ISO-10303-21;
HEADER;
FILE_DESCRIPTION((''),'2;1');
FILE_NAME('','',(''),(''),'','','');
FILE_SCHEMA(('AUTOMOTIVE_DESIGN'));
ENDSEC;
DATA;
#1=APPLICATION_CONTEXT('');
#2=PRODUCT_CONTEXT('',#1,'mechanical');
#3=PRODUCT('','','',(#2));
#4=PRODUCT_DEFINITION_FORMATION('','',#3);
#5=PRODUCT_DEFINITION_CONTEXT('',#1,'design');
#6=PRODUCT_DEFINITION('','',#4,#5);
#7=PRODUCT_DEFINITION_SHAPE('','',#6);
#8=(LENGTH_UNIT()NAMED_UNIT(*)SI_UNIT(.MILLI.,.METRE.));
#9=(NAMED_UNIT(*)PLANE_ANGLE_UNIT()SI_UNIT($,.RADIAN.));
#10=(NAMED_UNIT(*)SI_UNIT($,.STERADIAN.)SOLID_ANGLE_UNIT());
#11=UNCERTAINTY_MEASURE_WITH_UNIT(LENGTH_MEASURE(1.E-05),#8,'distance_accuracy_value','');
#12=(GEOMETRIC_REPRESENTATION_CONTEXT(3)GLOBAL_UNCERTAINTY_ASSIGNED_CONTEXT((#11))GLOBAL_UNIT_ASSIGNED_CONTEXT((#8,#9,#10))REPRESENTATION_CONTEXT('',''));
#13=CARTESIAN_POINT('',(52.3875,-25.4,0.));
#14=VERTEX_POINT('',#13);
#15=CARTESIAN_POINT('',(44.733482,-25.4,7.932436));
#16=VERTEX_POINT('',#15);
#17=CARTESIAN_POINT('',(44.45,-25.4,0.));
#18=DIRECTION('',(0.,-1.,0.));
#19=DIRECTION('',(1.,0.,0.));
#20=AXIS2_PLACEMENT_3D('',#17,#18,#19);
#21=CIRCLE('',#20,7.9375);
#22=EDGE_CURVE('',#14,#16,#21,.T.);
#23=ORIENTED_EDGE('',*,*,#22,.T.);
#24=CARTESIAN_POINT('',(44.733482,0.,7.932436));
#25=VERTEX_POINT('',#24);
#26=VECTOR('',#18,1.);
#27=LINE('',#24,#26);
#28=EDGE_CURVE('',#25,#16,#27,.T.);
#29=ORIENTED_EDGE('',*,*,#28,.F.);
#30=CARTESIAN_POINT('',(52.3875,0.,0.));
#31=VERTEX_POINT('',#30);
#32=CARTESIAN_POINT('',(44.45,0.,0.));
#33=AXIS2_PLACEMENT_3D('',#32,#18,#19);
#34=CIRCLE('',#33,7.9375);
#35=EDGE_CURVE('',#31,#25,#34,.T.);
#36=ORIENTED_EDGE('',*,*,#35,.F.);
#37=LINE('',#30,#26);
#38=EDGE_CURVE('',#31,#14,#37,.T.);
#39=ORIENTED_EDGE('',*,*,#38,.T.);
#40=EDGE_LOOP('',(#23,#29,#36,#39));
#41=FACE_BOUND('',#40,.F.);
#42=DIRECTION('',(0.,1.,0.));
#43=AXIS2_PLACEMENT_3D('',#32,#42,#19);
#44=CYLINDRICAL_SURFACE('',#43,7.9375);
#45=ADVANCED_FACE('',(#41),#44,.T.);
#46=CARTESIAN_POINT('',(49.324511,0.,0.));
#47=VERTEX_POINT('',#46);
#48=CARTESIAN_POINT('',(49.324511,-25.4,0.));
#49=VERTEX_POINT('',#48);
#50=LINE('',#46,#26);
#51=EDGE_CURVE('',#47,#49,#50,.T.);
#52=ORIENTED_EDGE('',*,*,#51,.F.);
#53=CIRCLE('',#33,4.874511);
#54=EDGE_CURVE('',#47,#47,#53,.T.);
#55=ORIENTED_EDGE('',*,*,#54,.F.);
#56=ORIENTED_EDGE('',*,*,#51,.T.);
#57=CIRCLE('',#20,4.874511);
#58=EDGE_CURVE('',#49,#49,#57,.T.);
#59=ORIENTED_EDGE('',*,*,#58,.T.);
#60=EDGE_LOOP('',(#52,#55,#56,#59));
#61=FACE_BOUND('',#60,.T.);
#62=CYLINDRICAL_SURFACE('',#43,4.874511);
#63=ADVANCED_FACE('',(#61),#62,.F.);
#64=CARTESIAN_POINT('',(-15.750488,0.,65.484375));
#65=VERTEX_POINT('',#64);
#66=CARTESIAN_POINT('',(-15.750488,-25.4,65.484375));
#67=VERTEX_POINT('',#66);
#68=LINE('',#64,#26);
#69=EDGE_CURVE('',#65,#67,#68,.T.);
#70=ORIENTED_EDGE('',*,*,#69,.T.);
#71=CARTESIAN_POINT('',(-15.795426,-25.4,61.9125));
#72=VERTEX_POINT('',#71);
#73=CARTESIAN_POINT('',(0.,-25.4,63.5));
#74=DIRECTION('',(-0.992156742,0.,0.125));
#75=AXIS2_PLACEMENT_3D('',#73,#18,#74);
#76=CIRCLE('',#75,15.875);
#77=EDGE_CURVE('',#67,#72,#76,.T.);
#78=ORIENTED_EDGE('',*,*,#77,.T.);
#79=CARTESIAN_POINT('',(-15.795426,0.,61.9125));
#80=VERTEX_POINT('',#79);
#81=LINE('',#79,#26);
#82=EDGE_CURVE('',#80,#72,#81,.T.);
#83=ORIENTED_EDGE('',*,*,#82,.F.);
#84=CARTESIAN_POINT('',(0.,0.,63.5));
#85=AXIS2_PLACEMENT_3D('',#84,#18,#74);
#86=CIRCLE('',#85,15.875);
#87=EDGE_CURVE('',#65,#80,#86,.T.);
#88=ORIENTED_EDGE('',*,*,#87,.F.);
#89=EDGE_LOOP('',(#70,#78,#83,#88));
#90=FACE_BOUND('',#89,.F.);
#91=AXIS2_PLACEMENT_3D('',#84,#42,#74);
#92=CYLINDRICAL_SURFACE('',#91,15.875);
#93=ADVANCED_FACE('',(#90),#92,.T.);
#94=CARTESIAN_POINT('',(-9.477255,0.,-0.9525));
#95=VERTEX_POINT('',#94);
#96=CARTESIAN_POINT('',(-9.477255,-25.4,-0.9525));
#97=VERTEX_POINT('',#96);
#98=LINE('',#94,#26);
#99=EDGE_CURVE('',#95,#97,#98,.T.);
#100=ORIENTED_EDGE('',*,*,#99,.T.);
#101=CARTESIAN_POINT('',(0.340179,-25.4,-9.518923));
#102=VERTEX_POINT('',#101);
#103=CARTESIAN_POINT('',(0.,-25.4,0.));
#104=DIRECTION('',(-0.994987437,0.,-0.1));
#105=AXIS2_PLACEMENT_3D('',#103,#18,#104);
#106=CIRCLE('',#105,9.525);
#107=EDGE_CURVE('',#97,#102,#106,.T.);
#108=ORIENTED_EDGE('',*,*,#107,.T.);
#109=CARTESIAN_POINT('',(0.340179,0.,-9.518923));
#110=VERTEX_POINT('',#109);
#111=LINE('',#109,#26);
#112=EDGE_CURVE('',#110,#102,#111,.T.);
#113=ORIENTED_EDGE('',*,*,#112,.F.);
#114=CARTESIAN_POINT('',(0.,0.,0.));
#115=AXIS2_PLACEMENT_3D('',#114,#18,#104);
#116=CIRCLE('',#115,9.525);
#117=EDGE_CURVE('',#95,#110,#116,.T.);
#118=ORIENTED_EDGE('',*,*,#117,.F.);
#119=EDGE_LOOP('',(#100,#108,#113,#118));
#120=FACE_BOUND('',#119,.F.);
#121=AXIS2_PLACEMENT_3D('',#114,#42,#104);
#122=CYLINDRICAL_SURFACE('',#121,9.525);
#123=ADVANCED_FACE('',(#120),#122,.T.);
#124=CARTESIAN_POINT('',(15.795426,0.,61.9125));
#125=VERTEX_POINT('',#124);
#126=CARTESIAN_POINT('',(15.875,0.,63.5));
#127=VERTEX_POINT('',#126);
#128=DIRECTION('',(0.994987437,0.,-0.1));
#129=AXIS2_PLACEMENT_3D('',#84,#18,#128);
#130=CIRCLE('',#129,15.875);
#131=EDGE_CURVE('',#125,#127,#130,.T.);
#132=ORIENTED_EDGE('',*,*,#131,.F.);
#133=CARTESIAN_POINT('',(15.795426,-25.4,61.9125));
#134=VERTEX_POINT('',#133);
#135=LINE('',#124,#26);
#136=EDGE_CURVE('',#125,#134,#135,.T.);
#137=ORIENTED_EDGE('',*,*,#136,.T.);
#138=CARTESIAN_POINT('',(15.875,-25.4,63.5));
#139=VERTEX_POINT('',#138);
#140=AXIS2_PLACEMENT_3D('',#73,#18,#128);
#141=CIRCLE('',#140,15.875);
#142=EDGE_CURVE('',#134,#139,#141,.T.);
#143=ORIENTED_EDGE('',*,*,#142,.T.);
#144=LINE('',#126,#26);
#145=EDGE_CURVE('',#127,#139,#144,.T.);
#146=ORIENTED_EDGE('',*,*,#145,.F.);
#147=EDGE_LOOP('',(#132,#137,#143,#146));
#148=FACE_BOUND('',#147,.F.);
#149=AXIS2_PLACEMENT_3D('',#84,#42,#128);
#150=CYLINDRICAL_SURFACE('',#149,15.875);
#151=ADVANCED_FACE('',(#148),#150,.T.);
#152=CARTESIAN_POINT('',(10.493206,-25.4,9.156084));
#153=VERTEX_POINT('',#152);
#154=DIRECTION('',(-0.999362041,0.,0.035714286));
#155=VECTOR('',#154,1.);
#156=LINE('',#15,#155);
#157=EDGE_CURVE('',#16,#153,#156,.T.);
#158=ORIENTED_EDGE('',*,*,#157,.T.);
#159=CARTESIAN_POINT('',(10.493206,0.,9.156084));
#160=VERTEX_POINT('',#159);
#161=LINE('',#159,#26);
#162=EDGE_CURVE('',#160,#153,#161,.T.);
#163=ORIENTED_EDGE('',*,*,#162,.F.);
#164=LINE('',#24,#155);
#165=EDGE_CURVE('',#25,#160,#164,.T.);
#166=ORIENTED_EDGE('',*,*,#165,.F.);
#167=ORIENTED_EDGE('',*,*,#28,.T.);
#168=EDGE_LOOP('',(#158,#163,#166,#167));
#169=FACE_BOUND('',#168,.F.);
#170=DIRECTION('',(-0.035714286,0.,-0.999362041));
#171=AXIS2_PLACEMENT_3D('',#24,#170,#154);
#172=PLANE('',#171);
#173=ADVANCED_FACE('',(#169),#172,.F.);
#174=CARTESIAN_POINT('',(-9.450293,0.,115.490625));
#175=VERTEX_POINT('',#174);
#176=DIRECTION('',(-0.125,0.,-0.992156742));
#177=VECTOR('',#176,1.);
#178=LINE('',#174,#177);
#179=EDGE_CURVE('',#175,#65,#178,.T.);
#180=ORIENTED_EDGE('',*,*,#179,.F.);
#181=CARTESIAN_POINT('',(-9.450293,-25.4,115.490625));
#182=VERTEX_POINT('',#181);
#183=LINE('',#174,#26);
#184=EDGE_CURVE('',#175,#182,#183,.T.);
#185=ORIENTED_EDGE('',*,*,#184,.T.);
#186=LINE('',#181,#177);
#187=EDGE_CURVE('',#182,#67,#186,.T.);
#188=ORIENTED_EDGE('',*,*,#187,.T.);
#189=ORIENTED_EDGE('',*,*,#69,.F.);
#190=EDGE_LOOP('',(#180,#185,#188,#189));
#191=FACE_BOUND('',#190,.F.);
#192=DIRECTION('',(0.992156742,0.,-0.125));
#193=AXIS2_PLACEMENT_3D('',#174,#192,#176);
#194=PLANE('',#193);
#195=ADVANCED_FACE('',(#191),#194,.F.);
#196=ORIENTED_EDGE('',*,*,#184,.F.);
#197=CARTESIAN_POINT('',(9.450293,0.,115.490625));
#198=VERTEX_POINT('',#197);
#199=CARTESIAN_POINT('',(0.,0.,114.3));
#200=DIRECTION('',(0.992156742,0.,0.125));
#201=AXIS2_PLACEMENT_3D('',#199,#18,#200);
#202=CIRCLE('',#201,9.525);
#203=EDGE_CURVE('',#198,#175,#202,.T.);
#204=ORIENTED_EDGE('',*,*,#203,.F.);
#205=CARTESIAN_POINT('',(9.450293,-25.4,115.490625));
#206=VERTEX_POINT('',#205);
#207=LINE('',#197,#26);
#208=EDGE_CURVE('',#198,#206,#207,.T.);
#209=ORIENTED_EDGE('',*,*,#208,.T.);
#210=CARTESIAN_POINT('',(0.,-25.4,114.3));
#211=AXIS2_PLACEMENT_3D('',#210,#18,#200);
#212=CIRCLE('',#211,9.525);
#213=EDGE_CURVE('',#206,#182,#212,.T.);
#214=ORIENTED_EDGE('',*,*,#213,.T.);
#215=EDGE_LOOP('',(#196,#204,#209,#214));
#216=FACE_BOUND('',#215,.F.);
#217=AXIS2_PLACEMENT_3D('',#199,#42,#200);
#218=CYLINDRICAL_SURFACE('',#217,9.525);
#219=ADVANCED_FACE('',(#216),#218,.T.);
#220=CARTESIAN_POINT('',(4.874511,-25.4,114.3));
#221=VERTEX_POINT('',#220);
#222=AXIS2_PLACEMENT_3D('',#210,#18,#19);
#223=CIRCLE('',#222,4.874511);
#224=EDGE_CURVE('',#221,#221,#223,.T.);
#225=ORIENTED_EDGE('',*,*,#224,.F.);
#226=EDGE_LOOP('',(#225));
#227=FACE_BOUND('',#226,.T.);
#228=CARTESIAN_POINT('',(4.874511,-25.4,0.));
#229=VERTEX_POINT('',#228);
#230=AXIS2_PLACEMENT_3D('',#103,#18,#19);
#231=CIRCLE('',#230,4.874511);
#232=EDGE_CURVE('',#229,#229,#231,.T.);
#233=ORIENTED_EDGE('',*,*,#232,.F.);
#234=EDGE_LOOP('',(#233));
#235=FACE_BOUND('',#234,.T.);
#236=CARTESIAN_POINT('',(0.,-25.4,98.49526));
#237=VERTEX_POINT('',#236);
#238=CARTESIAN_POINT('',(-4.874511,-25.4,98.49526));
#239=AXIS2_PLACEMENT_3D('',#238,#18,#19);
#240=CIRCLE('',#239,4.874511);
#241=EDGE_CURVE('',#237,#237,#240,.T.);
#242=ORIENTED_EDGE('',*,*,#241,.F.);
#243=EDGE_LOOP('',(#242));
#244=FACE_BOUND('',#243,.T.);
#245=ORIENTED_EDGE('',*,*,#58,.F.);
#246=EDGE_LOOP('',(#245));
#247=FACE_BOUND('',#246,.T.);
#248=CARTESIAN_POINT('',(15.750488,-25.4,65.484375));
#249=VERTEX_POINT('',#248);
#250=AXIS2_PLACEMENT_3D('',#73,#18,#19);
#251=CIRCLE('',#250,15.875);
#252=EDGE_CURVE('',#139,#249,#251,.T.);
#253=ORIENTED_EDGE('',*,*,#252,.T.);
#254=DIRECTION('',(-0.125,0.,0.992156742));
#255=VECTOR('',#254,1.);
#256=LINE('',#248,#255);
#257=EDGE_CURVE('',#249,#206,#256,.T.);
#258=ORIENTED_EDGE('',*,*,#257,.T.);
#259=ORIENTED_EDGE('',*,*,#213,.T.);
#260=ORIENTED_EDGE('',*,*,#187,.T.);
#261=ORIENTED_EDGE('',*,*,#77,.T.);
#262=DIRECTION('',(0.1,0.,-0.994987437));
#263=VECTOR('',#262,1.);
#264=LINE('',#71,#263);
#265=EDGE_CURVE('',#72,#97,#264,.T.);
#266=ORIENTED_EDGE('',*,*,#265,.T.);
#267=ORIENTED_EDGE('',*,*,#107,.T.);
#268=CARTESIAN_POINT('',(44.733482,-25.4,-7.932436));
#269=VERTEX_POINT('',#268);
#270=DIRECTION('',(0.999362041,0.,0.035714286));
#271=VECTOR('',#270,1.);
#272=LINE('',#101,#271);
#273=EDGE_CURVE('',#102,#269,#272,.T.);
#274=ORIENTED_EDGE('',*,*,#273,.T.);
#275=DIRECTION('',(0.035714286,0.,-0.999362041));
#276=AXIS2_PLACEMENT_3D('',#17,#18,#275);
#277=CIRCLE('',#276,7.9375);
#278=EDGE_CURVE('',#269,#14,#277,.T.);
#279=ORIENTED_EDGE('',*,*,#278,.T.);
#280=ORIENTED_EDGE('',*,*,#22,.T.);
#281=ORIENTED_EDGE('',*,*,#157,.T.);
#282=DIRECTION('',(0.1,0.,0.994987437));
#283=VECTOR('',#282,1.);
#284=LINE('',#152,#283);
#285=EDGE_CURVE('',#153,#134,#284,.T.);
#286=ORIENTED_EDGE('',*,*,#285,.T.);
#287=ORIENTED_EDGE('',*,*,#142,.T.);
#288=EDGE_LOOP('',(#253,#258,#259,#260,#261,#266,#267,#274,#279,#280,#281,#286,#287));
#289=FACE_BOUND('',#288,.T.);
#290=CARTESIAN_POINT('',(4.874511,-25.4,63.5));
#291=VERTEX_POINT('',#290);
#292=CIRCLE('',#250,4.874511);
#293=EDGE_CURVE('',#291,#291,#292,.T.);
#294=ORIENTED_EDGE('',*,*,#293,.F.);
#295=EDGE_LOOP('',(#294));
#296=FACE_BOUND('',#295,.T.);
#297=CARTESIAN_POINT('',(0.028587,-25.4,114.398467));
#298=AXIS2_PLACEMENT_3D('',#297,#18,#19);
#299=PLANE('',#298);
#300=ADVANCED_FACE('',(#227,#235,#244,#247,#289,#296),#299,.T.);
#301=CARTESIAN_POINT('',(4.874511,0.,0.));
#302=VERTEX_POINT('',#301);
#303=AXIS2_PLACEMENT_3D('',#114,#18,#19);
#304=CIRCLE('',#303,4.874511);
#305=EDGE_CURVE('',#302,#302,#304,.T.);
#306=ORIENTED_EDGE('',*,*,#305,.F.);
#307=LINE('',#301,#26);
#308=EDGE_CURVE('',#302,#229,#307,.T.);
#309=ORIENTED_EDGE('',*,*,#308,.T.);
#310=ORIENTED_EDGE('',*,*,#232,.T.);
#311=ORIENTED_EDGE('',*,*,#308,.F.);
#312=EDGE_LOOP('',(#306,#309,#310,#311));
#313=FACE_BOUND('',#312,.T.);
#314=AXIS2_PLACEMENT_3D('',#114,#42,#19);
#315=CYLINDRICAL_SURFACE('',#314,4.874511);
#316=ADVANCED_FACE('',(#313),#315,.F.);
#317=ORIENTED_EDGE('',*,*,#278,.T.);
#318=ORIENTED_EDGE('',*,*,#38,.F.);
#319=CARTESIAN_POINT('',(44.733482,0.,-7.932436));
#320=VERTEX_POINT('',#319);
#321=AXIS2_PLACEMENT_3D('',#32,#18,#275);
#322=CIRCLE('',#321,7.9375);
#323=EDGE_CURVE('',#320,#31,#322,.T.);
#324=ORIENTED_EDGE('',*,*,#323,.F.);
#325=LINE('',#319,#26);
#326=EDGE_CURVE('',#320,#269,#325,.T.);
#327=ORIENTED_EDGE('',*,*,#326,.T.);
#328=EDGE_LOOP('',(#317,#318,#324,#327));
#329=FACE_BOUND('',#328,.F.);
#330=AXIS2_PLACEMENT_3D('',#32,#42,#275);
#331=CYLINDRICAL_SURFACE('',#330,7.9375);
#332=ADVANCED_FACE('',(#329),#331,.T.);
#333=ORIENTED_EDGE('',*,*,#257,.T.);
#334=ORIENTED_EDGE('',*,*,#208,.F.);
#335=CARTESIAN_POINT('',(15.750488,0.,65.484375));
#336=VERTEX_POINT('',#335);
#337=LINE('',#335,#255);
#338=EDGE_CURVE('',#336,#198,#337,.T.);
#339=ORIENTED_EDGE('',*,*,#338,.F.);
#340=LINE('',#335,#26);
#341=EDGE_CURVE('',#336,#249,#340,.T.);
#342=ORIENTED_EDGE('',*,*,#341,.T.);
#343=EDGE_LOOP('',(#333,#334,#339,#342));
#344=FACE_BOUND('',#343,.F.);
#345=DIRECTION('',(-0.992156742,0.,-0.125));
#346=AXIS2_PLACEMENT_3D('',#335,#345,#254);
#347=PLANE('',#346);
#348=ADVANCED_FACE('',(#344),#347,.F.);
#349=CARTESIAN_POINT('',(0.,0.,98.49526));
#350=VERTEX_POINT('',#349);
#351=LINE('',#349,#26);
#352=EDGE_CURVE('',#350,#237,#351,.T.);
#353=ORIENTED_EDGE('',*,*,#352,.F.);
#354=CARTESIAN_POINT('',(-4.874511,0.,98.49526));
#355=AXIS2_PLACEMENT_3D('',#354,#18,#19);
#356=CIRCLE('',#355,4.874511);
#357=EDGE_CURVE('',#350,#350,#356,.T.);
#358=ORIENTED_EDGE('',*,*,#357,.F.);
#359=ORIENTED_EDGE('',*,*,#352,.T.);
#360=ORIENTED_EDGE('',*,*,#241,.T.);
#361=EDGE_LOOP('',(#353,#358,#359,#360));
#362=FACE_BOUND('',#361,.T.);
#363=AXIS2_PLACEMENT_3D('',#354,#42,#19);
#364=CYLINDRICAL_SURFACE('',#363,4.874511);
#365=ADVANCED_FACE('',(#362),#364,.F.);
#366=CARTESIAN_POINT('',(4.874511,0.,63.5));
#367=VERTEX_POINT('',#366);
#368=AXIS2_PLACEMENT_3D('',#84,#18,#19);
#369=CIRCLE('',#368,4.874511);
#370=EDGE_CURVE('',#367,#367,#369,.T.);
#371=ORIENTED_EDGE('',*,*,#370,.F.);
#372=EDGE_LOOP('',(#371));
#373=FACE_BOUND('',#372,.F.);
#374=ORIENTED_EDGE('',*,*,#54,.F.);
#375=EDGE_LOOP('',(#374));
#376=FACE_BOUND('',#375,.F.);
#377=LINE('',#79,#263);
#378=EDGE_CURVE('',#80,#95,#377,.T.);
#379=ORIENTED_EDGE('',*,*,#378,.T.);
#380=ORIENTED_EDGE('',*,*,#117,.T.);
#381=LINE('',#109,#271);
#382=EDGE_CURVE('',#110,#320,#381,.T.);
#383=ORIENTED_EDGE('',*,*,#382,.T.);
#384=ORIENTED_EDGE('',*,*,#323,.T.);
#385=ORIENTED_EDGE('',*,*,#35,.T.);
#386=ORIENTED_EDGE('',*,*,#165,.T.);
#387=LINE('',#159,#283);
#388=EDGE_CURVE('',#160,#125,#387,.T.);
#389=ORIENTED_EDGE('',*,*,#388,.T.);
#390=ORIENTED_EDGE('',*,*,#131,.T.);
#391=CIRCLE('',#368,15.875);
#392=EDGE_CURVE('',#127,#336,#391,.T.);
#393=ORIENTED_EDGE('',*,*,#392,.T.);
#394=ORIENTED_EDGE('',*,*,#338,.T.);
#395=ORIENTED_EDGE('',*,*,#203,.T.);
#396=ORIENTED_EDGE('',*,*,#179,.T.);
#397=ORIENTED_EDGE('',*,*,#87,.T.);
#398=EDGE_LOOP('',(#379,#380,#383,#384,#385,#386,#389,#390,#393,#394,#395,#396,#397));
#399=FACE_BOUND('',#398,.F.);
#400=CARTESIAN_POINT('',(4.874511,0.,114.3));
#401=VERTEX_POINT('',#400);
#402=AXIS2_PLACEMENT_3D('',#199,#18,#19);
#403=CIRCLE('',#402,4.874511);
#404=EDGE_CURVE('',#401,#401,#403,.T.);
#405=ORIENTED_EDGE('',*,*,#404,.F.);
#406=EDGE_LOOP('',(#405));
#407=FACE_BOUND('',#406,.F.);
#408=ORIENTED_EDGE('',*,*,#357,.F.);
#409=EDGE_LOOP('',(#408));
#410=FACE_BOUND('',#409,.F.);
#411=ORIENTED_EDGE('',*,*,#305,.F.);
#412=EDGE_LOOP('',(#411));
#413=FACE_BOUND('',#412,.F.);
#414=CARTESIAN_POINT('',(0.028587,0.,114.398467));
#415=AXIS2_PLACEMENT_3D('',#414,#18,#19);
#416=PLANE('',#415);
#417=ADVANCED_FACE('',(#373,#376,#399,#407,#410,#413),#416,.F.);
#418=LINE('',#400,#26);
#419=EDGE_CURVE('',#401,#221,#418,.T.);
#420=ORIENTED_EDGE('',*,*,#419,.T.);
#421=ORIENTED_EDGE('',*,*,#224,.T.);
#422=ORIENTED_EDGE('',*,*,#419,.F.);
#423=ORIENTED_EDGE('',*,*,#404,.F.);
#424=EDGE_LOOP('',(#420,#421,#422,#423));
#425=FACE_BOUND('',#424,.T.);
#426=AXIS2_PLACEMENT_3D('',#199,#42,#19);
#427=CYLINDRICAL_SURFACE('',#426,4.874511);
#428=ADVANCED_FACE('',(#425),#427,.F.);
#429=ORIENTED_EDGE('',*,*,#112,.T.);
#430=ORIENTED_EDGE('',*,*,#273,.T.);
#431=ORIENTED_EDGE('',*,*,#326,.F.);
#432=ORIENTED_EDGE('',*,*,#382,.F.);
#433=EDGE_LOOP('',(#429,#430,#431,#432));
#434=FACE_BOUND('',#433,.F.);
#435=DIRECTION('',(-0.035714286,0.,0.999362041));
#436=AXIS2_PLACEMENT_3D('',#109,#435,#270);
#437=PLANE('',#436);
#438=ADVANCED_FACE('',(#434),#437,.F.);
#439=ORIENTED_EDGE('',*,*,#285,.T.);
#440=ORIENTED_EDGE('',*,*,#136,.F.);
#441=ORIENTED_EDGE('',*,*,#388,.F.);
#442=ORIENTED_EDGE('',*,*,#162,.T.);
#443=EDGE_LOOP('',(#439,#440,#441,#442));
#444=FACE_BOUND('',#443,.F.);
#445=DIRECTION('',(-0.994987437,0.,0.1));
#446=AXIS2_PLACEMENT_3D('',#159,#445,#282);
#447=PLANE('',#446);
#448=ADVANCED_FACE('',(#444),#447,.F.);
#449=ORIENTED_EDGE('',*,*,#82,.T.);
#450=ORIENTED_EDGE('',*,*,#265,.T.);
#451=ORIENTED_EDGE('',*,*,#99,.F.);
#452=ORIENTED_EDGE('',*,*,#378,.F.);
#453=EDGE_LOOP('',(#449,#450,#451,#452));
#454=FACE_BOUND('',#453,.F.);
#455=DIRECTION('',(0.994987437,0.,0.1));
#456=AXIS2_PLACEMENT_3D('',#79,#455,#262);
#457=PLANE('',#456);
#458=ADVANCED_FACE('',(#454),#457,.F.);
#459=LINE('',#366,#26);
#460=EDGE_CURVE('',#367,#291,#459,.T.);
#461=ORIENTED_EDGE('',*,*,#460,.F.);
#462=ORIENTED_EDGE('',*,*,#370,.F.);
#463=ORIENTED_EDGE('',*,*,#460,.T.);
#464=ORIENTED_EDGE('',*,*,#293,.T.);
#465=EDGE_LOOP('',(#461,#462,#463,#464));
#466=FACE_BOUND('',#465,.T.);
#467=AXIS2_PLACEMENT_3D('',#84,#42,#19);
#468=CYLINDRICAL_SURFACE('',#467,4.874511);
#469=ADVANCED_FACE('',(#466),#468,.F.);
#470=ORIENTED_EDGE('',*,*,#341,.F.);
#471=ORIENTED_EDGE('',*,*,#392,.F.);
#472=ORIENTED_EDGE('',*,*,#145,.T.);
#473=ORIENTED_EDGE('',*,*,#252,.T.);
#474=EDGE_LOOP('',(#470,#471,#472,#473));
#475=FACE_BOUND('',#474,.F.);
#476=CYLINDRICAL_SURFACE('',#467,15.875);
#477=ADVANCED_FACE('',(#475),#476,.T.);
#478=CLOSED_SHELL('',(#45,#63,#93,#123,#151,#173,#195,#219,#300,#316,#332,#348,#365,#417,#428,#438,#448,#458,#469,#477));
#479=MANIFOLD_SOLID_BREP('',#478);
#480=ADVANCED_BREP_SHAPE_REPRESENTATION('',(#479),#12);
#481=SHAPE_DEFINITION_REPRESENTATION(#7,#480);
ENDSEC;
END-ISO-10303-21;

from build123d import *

# Parameters (mm, degrees)
F0_R     = 4.8745106906
F1_DEPTH = 25.4


with BuildPart() as f1:
    # F0 (on Front) → F1 (new body)
    with BuildSketch(Plane.XZ):
        with BuildLine():
            ThreePointArc((-9.4502929642, 115.490625), (-0.596483242, 104.7936951058), (9.525, 114.3))
            ThreePointArc((9.525, 114.3), (9.5063048942, 114.896483242), (9.4502929642, 115.490625))
            ThreePointArc((9.4502929642, 115.490625), (0, 123.825), (-9.4502929642, 115.490625))
        make_face()
        with Locations((0, 114.3)):
            Circle(F0_R, mode=Mode.SUBTRACT)
        with BuildLine():
            ThreePointArc((9.4502929642, 115.490625), (9.5063048942, 114.896483242), (9.525, 114.3))
            ThreePointArc((9.525, 114.3), (-0.596483242, 104.7936951058), (-9.4502929642, 115.490625))
            Line((-9.4502929642, 115.490625), (-15.7504882737, 65.484375))
            ThreePointArc((-15.7504882737, 65.484375), (0, 79.375), (15.7504882737, 65.484375))
            Line((15.7504882737, 65.484375), (9.4502929642, 115.490625))
        make_face()
        with Locations((-4.8745106906, 98.495259881)):
            Circle(F0_R, mode=Mode.SUBTRACT)
        with BuildLine():
            ThreePointArc((15.875, 63.5), (15.8438414904, 64.4941387366), (15.7504882737, 65.484375))
            ThreePointArc((15.7504882737, 65.484375), (0, 79.375), (-15.7504882737, 65.484375))
            ThreePointArc((-15.7504882737, 65.484375), (-15.8737438155, 63.6997054867), (-15.7954255641, 61.9125))
            ThreePointArc((-15.7954255641, 61.9125), (0, 47.625), (15.7954255641, 61.9125))
            ThreePointArc((15.7954255641, 61.9125), (15.8550939106, 62.7052534459), (15.875, 63.5))
        make_face()
        with Locations((0, 63.5)):
            Circle(F0_R, mode=Mode.SUBTRACT)
        with BuildLine():
            ThreePointArc((15.7954255641, 61.9125), (0, 47.625), (-15.7954255641, 61.9125))
            Line((-15.7954255641, 61.9125), (-9.4772553384, -0.9525))
            ThreePointArc((-9.4772553384, -0.9525), (-6.948684782, 6.5147068085), (0.3401785714, 9.5189234444))
            Line((0.3401785714, 9.5189234444), (10.4932062399, 9.1560838367))
            Line((10.4932062399, 9.1560838367), (15.7954255641, 61.9125))
        make_face()
        with BuildLine():
            ThreePointArc((0.3401785714, 9.5189234444), (-6.948684782, 6.5147068085), (-9.4772553384, -0.9525))
            ThreePointArc((-9.4772553384, -0.9525), (-6.2623833816, -7.1769199091), (0.3401785714, -9.5189234444))
            ThreePointArc((0.3401785714, -9.5189234444), (6.5147068085, -6.948684782), (9.4772553384, -0.9525))
            ThreePointArc((9.4772553384, -0.9525), (9.5130563464, -0.4768479324), (9.525, 0))
            ThreePointArc((9.525, 0), (6.8544082857, 6.6138273378), (0.3401785714, 9.5189234444))
        make_face()
        Circle(F0_R, mode=Mode.SUBTRACT)
        with BuildLine():
            Line((44.7334821429, 7.9324362036), (10.4932062399, 9.1560838367))
            Line((10.4932062399, 9.1560838367), (9.4772553384, -0.9525))
            ThreePointArc((9.4772553384, -0.9525), (6.5147068085, -6.948684782), (0.3401785714, -9.5189234444))
            Line((0.3401785714, -9.5189234444), (44.7334821429, -7.9324362036))
            ThreePointArc((44.7334821429, -7.9324362036), (36.5125, 0), (44.7334821429, 7.9324362036))
        make_face()
        with BuildLine():
            Line((9.4772553384, -0.9525), (10.4932062399, 9.1560838367))
            Line((10.4932062399, 9.1560838367), (0.3401785714, 9.5189234444))
            ThreePointArc((0.3401785714, 9.5189234444), (6.8544082857, 6.6138273378), (9.525, 0))
            ThreePointArc((9.525, 0), (9.5130563464, -0.4768479324), (9.4772553384, -0.9525))
        make_face()
        with BuildLine():
            ThreePointArc((52.3875, 0), (50.1620069047, 5.5115227815), (44.7334821429, 7.9324362036))
            ThreePointArc((44.7334821429, 7.9324362036), (36.5125, 0), (44.7334821429, -7.9324362036))
            ThreePointArc((44.7334821429, -7.9324362036), (50.1620069047, -5.5115227815), (52.3875, 0))
        make_face()
        with Locations((44.45, 0)):
            Circle(F0_R, mode=Mode.SUBTRACT)
    extrude(amount=F1_DEPTH)


solid = f1.part
